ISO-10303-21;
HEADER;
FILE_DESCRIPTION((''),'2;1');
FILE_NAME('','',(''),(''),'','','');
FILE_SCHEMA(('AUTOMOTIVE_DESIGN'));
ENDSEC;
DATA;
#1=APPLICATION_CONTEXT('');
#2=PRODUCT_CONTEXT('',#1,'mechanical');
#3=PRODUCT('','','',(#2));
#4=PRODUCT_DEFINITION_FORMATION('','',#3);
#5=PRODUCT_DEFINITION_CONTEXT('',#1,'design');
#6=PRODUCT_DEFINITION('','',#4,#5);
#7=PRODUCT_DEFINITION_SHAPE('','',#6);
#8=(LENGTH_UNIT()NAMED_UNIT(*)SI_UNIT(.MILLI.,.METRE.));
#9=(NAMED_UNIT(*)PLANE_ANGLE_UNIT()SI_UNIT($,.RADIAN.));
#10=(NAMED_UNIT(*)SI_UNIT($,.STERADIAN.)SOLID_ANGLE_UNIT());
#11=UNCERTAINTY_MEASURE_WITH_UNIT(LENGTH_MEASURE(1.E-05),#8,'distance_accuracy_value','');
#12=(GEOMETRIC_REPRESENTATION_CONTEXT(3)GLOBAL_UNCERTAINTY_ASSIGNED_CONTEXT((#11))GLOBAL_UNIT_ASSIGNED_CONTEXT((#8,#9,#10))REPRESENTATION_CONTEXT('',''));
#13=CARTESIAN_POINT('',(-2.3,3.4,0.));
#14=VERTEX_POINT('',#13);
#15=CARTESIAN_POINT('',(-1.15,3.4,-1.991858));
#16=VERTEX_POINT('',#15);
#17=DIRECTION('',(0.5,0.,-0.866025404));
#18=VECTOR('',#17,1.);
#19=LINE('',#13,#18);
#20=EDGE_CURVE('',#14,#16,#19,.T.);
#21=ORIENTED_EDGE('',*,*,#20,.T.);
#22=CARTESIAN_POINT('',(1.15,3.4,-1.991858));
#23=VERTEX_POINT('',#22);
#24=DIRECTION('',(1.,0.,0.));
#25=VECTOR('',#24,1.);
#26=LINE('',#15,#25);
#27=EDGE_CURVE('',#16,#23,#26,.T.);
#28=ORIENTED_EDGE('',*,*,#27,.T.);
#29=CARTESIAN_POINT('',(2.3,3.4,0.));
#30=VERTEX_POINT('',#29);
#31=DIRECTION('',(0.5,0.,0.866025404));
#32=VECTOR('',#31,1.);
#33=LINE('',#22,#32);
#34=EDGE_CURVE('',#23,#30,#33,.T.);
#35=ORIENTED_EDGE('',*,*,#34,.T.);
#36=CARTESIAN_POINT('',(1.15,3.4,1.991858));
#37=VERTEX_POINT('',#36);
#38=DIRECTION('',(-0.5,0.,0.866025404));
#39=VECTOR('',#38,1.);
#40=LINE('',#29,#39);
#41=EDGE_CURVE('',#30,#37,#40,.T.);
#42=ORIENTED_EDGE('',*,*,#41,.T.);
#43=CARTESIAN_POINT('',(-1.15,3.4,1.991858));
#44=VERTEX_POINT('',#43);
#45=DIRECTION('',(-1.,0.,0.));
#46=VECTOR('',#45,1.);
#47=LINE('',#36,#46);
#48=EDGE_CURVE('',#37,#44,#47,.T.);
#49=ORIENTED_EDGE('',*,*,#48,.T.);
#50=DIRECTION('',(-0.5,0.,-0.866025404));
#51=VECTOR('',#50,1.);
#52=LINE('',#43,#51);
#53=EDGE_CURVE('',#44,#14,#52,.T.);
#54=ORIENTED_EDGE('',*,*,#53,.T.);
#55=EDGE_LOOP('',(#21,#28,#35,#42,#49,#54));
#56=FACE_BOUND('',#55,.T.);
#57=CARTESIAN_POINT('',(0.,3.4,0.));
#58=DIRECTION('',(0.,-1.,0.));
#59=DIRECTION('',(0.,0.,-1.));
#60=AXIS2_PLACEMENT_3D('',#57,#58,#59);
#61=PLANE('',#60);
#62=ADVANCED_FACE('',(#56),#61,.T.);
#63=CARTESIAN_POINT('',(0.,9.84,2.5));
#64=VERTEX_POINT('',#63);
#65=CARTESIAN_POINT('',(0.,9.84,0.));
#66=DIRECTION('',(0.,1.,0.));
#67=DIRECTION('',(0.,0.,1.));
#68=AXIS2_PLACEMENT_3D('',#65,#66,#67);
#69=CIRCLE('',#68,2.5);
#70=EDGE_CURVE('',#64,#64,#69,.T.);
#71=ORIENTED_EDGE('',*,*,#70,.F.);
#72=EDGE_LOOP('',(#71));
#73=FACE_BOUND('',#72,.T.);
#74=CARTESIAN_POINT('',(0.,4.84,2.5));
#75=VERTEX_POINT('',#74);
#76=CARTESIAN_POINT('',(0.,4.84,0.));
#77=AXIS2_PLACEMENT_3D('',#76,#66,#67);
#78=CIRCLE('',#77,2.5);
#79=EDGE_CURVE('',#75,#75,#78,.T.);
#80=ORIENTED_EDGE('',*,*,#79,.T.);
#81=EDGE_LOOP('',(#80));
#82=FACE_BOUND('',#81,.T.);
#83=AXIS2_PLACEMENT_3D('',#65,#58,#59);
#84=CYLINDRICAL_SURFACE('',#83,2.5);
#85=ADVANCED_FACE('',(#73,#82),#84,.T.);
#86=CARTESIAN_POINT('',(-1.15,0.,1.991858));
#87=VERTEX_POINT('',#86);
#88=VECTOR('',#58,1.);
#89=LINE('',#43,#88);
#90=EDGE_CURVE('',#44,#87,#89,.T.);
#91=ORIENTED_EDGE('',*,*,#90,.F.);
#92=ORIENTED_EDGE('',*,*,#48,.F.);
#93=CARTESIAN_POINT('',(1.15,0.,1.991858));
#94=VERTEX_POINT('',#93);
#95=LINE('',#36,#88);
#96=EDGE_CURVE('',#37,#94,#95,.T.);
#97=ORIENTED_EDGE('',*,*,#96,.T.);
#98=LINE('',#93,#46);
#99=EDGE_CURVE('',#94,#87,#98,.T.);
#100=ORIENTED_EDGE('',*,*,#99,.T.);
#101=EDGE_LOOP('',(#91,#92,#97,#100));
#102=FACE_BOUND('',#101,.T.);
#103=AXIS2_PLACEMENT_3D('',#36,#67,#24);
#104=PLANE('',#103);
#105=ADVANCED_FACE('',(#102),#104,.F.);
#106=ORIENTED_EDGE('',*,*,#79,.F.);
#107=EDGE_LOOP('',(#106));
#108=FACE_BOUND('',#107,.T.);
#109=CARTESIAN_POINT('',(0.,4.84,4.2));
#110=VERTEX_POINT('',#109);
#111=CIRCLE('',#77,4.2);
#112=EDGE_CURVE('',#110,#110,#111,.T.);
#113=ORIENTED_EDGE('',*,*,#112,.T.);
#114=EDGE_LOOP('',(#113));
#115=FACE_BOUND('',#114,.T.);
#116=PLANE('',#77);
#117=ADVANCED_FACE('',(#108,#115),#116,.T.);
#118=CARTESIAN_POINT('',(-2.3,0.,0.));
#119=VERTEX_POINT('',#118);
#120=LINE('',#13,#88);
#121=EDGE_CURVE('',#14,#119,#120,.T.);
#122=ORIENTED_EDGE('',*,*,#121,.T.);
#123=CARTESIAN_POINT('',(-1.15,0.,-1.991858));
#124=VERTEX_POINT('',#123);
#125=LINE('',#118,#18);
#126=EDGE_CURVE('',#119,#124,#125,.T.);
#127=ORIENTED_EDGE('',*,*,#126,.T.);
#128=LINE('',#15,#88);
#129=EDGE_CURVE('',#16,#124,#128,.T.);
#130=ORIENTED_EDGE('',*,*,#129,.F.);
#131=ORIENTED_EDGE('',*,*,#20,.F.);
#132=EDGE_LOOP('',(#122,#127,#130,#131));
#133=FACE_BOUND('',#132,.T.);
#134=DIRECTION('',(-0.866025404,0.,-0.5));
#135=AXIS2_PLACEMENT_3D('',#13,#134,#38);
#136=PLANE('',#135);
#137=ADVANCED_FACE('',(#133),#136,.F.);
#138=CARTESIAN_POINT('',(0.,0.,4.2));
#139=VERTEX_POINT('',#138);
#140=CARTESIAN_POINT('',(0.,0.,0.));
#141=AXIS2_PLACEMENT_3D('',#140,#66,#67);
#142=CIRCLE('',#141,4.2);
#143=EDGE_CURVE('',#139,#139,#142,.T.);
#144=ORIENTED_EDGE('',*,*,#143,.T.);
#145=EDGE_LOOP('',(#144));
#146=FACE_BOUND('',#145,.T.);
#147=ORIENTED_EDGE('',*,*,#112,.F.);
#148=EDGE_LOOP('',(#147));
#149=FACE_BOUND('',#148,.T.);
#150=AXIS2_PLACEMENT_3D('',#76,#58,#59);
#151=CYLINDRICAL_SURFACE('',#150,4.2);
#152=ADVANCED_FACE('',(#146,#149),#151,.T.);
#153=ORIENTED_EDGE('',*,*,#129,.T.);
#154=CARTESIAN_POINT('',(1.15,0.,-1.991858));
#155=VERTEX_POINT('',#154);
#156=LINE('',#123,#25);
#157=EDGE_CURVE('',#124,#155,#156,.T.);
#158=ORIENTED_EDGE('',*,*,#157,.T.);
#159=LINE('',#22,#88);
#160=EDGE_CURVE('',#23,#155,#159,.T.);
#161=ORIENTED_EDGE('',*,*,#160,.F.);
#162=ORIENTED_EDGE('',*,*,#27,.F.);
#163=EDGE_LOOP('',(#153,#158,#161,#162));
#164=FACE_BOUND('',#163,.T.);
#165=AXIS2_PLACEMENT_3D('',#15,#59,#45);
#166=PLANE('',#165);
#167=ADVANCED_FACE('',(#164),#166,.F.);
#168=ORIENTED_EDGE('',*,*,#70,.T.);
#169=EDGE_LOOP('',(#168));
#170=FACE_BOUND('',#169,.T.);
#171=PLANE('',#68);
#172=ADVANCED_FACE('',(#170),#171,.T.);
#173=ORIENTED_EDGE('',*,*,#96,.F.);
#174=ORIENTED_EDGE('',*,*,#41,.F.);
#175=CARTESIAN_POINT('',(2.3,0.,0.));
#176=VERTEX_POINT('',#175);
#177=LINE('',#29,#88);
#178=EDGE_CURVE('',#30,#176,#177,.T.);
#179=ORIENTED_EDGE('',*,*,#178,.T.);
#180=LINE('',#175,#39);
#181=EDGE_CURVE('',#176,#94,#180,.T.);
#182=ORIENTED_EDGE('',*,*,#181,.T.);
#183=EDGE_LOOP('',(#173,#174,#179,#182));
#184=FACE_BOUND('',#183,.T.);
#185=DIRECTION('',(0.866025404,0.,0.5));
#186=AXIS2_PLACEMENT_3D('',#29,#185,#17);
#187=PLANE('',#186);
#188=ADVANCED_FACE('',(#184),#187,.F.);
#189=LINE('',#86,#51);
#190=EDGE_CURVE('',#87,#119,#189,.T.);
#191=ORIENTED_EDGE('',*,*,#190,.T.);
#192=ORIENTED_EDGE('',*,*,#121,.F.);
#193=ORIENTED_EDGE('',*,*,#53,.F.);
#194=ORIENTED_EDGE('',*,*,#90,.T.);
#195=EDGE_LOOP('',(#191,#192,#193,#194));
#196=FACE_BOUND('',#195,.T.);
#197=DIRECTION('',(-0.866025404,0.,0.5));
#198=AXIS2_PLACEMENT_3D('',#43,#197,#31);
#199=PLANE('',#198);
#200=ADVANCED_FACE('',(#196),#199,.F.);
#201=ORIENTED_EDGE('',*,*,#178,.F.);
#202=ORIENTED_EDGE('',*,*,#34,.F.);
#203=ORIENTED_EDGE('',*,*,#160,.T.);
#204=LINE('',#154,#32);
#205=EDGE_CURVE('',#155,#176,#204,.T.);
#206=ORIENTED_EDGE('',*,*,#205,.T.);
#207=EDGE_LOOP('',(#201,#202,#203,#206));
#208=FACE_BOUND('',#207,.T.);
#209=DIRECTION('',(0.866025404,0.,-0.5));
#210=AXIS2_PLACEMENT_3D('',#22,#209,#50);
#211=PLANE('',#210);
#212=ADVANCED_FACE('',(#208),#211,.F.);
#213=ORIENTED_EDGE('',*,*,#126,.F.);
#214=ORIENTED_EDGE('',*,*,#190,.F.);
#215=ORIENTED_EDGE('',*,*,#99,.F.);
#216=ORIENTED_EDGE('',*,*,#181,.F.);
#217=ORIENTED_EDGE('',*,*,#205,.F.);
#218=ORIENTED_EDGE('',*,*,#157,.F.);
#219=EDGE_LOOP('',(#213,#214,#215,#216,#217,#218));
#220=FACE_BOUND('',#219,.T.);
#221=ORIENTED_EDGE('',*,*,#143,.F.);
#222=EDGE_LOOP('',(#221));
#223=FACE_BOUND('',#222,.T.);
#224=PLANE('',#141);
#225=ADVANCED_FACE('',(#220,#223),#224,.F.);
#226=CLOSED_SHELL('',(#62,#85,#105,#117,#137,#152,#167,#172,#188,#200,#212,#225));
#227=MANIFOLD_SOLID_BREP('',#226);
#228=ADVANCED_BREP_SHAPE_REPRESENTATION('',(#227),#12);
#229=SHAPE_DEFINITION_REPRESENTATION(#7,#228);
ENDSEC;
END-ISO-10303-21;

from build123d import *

# Parameters (mm, degrees)
SKETCH_1_R          = 4.2
EXTRUDE_1_DEPTH     = 4.84
SKETCH_2_R          = 2.5
EXTRUDE_2_DEPTH     = 5
CUT_EXTRUDE_1_DEPTH = 3.4


with BuildPart() as part:
    # 草图1 → 凸台-拉伸1 (new body)
    with BuildSketch(Plane(origin=(0, 0, 0), x_dir=(1, 0, 0), z_dir=(0, 1, 0))):
        Circle(SKETCH_1_R)
    extrude(amount=EXTRUDE_1_DEPTH)

    # 草图2 → 凸台-拉伸2 (add)
    with BuildSketch(Plane(origin=(0, 4.84, 0), x_dir=(1, 0, 0), z_dir=(0, 1, 0))):
        Circle(SKETCH_2_R)
    extrude(amount=EXTRUDE_2_DEPTH)

    # 草图3 → 切除-拉伸1 (cut)
    with BuildSketch(Plane.XZ):
        Polygon((2.3, 0), (1.15, 1.991858429), (-1.15, 1.991858429), (-2.3, 0), (-1.15, -1.991858429), (1.15, -1.991858429), align=None)
    extrude(amount=-CUT_EXTRUDE_1_DEPTH, mode=Mode.SUBTRACT)


solid = part.part
